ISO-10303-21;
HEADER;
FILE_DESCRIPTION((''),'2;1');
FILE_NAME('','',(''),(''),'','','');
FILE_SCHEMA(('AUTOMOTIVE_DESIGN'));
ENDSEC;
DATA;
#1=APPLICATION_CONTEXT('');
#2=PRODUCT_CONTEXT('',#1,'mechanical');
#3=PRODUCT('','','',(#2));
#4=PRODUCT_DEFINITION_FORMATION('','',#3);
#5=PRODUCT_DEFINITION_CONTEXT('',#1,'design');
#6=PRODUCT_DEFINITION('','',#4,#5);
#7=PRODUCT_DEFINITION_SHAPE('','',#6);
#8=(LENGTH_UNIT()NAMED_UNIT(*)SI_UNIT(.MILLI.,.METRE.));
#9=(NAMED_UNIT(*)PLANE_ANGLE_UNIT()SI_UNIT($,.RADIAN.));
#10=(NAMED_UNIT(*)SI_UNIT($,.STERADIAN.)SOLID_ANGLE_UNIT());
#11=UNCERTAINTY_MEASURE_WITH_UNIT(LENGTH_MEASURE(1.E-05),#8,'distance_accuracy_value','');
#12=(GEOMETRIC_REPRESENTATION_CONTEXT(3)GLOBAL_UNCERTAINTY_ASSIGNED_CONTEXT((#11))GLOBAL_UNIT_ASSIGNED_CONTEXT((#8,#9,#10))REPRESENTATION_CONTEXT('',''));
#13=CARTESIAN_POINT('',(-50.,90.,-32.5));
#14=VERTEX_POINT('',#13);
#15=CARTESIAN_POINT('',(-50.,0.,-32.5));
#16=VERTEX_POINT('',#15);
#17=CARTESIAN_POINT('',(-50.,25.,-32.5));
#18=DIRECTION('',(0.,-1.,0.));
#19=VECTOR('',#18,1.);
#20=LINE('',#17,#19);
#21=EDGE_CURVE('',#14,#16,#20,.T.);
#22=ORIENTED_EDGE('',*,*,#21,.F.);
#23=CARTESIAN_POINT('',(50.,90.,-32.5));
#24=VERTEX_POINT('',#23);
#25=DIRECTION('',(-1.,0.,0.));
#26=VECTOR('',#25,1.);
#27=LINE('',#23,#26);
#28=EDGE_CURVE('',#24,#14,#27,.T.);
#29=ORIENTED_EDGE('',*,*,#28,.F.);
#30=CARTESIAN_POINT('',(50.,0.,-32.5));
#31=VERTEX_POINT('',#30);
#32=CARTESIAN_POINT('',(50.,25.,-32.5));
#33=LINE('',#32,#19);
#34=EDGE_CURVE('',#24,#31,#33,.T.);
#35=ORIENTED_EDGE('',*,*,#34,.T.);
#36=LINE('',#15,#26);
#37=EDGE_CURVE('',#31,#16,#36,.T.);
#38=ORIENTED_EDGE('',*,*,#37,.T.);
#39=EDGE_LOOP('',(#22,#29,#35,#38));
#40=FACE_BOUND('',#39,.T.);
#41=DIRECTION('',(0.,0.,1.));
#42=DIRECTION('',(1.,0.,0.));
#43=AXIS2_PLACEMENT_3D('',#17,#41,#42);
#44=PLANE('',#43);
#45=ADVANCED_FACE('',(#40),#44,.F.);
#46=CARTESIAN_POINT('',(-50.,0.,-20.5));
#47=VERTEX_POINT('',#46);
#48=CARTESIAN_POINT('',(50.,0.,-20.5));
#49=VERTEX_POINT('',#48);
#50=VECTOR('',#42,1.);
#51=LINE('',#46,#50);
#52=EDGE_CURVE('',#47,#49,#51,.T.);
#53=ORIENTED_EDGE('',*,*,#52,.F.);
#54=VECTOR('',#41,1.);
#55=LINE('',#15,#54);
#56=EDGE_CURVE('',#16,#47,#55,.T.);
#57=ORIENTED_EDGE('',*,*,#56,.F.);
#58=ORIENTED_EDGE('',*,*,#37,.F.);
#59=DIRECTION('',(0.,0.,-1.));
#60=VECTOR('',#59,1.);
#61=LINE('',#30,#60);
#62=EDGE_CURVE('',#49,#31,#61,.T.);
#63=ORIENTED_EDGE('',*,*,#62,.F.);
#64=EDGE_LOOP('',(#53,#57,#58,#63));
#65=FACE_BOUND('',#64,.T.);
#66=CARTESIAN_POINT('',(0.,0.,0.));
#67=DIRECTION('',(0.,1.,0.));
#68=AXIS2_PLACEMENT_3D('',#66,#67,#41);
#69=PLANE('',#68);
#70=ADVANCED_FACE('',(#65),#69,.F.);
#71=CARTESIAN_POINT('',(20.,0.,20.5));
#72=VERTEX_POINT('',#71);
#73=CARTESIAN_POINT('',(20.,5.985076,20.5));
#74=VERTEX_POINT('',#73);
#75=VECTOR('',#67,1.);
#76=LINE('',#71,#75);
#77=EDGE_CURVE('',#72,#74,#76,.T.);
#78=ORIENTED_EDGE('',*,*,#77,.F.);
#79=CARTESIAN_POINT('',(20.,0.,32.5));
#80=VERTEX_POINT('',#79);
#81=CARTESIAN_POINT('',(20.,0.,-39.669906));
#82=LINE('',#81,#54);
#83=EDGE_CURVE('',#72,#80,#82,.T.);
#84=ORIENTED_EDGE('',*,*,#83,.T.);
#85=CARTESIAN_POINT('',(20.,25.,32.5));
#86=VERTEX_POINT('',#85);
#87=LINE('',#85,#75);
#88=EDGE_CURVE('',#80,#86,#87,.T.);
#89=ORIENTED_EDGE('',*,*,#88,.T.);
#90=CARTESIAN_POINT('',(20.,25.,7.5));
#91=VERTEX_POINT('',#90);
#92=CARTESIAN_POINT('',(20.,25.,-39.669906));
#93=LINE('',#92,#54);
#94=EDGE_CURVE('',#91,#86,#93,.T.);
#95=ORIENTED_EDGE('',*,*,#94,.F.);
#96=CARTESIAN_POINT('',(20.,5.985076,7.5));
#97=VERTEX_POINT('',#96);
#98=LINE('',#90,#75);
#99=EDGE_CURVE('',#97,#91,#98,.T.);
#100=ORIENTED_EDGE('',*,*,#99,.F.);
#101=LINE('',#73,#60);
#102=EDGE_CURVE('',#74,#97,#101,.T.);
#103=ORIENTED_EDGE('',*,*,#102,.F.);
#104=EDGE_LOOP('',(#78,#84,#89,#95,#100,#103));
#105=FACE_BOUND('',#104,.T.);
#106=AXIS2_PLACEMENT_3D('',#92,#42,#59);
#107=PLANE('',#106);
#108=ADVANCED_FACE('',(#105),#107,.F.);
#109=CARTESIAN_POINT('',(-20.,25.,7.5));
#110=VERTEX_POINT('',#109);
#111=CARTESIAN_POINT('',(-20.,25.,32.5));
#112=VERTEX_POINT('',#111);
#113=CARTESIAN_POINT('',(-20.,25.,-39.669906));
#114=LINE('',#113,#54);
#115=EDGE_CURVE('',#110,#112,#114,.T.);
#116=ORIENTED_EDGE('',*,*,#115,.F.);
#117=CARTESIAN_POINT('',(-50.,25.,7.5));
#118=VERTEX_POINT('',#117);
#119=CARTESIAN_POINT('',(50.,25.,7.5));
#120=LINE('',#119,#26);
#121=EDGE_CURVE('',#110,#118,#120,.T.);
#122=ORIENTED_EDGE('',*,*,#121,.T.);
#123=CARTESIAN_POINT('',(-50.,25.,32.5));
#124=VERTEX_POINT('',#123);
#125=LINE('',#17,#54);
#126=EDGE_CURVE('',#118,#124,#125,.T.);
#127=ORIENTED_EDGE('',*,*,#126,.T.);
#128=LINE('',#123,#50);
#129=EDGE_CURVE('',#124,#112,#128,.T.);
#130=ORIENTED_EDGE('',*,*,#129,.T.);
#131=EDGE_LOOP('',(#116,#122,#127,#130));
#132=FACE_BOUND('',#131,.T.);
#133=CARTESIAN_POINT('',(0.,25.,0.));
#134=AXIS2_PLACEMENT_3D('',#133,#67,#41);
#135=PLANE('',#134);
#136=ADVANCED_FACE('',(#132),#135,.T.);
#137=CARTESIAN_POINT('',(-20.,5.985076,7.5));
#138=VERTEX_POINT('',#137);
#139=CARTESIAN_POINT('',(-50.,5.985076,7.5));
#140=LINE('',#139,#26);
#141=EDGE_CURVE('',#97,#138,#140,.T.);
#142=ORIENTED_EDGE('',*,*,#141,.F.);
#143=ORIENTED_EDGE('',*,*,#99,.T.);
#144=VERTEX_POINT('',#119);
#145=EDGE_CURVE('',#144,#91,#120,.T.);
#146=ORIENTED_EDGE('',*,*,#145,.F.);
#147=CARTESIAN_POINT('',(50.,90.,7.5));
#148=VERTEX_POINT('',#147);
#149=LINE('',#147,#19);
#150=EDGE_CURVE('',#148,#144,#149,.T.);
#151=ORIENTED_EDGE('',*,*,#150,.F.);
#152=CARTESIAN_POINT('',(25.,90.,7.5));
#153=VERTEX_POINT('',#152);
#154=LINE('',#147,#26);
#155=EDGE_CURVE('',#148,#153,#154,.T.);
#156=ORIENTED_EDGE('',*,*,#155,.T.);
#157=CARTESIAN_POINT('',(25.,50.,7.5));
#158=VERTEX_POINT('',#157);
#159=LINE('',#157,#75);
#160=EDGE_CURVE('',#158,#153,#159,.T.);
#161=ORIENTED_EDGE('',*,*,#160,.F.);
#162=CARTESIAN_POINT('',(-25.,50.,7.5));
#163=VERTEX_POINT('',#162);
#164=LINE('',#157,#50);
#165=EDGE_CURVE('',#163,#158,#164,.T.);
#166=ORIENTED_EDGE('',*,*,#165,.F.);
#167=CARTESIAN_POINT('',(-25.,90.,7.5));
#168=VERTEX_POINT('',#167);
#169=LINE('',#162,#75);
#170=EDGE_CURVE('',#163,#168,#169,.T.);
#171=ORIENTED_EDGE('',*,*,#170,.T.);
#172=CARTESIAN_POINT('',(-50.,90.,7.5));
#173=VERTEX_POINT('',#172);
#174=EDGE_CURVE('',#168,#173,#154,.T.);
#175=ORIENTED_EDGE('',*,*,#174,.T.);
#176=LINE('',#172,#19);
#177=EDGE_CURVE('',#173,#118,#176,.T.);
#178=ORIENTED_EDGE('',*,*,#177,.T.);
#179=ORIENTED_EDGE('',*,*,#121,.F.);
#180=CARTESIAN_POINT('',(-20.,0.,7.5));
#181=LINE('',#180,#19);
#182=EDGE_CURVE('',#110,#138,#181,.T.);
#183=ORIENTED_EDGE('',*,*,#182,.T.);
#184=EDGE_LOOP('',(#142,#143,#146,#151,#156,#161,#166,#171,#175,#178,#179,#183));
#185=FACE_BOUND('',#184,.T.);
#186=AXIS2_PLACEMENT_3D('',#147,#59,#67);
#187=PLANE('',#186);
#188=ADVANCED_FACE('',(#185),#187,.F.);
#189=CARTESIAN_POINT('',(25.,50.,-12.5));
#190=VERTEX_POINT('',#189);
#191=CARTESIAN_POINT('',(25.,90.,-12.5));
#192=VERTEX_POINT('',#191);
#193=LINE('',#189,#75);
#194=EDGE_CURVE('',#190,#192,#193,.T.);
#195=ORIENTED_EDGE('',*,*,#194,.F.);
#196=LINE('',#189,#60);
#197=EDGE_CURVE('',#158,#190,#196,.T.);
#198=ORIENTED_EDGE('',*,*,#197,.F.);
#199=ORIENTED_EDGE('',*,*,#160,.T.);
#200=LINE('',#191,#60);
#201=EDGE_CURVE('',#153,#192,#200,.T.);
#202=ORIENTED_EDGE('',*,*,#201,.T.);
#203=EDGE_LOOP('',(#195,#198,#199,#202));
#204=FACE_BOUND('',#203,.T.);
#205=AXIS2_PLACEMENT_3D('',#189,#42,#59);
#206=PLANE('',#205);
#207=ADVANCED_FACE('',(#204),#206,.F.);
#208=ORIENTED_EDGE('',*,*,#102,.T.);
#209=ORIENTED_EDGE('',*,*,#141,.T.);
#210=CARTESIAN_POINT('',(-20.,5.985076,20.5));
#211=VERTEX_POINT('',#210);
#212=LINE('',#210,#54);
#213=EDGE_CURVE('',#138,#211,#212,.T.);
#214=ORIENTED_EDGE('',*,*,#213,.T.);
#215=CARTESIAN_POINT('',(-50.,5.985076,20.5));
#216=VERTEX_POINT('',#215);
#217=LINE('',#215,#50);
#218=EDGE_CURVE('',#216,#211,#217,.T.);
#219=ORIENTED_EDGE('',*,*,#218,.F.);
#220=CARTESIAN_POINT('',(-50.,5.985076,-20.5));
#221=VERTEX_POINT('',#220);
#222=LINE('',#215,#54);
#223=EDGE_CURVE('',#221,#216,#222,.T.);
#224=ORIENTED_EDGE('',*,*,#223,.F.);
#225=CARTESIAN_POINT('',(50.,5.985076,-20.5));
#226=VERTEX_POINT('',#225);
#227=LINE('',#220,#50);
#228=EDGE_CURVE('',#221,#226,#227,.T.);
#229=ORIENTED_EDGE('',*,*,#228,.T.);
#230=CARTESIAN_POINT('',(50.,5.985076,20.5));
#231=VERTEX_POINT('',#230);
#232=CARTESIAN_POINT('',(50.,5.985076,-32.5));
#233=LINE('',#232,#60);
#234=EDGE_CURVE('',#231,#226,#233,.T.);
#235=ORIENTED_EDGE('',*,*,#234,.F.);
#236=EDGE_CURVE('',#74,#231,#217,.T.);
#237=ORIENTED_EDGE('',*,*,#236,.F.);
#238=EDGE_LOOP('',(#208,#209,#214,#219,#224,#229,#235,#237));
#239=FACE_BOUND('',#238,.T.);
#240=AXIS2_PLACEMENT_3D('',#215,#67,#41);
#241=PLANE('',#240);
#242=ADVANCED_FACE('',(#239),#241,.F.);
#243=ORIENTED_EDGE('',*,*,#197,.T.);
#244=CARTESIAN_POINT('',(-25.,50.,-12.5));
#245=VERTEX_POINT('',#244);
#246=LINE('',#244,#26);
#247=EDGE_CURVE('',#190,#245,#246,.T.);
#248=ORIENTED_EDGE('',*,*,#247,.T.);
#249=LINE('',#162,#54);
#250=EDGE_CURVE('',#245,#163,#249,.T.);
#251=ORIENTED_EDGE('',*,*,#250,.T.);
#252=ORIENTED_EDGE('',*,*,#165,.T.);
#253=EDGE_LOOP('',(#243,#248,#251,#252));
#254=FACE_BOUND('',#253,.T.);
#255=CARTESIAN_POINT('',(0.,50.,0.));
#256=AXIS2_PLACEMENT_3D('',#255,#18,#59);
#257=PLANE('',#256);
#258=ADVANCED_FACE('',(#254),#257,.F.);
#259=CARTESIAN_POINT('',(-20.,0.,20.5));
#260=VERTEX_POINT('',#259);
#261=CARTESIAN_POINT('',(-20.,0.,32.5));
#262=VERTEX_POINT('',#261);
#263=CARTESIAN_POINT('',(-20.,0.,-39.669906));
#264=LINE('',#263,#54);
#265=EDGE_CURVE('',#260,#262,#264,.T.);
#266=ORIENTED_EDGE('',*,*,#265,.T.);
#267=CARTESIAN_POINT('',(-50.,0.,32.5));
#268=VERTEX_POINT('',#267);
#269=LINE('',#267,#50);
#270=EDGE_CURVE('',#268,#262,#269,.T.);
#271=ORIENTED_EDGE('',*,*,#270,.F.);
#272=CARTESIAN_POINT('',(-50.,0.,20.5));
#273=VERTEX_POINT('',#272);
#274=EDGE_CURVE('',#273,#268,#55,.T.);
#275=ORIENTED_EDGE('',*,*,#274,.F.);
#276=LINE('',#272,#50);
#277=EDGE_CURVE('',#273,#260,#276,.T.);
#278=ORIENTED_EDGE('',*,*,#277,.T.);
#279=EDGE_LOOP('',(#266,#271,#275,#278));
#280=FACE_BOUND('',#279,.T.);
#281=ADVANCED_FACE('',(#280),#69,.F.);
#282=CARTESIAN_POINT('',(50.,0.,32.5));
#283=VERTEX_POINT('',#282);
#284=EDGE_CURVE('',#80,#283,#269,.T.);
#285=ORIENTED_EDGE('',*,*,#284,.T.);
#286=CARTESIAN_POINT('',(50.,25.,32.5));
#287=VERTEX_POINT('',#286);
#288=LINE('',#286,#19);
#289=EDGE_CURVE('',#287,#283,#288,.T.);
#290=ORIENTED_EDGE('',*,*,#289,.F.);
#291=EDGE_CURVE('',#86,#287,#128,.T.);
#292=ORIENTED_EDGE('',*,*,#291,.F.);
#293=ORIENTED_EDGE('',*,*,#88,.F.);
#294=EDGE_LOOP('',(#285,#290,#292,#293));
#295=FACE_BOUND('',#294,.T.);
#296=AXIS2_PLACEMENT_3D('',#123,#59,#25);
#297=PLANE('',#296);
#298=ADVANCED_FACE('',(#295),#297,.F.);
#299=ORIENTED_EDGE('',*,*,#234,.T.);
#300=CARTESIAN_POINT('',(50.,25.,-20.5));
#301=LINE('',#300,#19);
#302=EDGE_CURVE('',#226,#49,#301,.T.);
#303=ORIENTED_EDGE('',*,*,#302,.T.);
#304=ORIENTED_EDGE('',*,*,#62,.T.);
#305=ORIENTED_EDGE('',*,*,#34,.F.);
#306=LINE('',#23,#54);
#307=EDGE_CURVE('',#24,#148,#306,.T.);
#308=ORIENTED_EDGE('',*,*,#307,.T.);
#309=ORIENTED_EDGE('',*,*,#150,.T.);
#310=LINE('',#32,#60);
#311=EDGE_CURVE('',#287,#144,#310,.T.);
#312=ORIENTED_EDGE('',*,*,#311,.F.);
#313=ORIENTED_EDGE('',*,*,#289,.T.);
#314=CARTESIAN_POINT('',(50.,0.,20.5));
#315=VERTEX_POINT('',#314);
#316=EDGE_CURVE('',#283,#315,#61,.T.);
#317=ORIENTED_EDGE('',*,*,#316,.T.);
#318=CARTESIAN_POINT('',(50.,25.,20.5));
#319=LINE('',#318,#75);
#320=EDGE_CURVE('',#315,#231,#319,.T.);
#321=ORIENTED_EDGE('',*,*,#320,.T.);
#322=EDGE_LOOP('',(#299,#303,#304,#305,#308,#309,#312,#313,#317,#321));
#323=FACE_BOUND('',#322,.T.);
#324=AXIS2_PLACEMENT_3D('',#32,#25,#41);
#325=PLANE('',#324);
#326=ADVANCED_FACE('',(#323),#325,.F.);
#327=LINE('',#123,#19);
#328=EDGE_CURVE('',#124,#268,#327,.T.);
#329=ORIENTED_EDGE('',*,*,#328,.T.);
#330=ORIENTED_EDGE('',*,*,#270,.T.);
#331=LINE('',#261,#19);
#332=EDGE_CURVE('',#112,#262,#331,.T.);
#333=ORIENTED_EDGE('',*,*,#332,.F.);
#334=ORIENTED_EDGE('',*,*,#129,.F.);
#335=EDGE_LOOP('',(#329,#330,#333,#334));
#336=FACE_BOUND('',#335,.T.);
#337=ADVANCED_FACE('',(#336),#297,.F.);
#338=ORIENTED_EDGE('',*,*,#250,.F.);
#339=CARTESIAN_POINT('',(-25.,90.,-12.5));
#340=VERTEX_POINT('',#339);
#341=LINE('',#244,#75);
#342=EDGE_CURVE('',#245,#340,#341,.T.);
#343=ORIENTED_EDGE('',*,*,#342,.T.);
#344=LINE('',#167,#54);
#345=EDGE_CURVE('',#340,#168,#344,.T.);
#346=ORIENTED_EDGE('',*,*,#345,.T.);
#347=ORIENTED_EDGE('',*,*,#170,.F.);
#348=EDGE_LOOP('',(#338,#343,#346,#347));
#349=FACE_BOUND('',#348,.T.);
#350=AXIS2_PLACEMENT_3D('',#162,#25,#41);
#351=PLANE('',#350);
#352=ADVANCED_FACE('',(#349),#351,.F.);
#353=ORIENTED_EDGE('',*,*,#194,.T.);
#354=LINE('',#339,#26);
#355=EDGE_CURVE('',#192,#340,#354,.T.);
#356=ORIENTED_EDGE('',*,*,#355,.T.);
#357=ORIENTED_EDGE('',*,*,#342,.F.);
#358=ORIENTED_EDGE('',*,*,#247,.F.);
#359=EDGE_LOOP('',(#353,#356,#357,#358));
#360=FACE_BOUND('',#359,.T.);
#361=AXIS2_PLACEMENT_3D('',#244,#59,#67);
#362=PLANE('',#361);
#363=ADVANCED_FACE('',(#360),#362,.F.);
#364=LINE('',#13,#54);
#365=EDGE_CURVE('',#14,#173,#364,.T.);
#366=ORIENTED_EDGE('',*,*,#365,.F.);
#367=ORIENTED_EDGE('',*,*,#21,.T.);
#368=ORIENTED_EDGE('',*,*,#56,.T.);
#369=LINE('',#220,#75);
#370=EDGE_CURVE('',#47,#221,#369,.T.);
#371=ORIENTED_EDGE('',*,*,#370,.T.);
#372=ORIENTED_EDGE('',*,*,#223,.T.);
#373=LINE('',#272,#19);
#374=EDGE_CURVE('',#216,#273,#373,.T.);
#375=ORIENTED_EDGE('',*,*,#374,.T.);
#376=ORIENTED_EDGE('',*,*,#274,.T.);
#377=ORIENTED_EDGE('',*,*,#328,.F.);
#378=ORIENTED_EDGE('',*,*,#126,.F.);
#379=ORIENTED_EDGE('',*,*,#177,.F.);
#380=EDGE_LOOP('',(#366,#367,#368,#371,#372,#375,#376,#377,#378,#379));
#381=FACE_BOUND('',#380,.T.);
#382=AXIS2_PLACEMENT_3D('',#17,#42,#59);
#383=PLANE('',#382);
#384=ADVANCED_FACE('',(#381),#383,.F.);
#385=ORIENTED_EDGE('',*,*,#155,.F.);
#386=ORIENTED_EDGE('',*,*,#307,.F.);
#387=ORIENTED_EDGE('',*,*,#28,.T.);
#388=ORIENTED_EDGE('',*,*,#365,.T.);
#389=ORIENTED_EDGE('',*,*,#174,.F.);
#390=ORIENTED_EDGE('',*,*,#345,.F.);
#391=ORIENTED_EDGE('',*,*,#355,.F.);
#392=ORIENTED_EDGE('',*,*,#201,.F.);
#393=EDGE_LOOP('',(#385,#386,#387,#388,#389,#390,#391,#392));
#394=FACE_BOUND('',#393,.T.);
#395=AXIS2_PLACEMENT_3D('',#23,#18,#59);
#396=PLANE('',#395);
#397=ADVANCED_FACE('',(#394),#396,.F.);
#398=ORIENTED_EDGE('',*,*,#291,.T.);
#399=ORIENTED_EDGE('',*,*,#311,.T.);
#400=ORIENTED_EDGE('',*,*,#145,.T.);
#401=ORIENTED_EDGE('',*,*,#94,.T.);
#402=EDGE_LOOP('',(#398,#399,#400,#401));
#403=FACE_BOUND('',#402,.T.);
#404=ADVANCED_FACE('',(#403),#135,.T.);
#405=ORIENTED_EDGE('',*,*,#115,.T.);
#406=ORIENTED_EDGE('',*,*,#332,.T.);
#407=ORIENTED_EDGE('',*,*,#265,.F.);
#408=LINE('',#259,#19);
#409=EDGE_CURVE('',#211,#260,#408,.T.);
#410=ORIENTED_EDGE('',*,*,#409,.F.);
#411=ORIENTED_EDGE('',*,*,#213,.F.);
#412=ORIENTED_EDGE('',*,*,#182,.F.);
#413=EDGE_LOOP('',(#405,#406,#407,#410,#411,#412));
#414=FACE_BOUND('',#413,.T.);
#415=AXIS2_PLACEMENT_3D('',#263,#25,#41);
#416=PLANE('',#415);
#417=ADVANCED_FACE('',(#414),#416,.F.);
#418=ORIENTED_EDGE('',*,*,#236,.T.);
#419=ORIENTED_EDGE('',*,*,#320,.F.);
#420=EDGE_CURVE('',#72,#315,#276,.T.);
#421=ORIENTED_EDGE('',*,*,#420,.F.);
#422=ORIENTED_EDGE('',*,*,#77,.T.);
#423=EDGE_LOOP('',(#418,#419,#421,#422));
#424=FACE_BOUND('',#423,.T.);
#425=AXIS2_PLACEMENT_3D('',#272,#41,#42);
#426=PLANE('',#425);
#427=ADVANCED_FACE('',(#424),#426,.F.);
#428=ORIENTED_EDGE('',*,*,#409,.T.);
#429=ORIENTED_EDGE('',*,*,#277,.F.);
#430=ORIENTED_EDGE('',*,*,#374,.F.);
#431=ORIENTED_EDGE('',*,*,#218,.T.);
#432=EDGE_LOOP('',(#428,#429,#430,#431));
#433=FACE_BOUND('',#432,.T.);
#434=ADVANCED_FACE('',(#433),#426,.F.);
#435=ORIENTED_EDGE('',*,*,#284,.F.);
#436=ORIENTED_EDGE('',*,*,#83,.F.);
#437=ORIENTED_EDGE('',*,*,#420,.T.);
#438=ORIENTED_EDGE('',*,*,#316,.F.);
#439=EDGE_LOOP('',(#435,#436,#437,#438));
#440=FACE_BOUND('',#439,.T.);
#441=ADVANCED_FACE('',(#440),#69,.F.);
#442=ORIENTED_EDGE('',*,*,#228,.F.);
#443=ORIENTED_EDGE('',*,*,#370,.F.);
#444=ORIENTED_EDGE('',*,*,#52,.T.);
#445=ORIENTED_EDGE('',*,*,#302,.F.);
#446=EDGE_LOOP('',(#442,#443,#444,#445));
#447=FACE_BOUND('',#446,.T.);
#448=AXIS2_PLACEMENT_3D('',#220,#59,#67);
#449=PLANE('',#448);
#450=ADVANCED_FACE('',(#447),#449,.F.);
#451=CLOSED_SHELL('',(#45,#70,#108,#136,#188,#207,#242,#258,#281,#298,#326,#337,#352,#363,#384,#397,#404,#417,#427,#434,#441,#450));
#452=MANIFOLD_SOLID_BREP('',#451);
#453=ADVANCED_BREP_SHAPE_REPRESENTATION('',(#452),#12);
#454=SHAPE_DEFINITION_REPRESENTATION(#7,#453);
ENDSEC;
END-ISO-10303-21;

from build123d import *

# Parameters (mm, degrees)
SKETCH2_W               = 100
SKETCH2_H               = 65
BOSS_EXTRUDE1_DEPTH     = 25
SKETCH3_W               = 40
SKETCH3_H               = 65
BOSS_EXTRUDE2_DEPTH     = 50
SKETCH4_W               = 50
SKETCH4_H               = 20
CUT_EXTRUDE1_DEPTH      = 40
CUT_EXTRUDE2_DEPTH      = 139.406105357
CUT_EXTRUDE2_DEPTH_BACK = 139.406105357
SKETCH5_W               = 41
SKETCH5_H               = 5.985076192
CUT_EXTRUDE4_START      = -25
SKETCH6_W               = 40
SKETCH6_H               = 25
CUT_EXTRUDE4_DEPTH      = 25


with BuildPart() as part:
    # Sketch2 → Boss-Extrude1 (new body)
    with BuildSketch(Plane(origin=(0, 0, 0), x_dir=(1, 0, 0), z_dir=(0, 1, 0))):
        Rectangle(SKETCH2_W, SKETCH2_H)
    extrude(amount=BOSS_EXTRUDE1_DEPTH)

    # Sketch3 → Boss-Extrude2 (add, symmetric)
    with BuildSketch(Plane(origin=(0, 0, 0), x_dir=(0, 0, -1), z_dir=(1, 0, 0))):
        with Locations((12.5, 57.5)):
            Rectangle(SKETCH3_W, SKETCH3_H)
    extrude(amount=BOSS_EXTRUDE2_DEPTH, both=True)

    # Sketch4 → Cut-Extrude1 (cut)
    with BuildSketch(Plane(origin=(0, 90, 0), x_dir=(1, 0, 0), z_dir=(0, 1, 0))):
        with Locations((0, 2.5)):
            Rectangle(SKETCH4_W, SKETCH4_H)
    extrude(amount=-CUT_EXTRUDE1_DEPTH, mode=Mode.SUBTRACT)

    # Sketch5 → Cut-Extrude2 (cut, two sides: drawn at the far end of the back side and taken through both)
    with BuildSketch(Plane(origin=(50, 0, 0), x_dir=(0, 0, -1), z_dir=(1, 0, 0)).offset(-CUT_EXTRUDE2_DEPTH_BACK)):
        with Locations((0, 2.992538096)):
            Rectangle(SKETCH5_W, SKETCH5_H)
    extrude(amount=CUT_EXTRUDE2_DEPTH + CUT_EXTRUDE2_DEPTH_BACK, mode=Mode.SUBTRACT)

    # Sketch6 → Cut-Extrude4 (cut)
    with BuildSketch(Plane.XY.offset(32.5).offset(CUT_EXTRUDE4_START)):
        with Locations((0, 12.5)):
            Rectangle(SKETCH6_W, SKETCH6_H)
    extrude(amount=CUT_EXTRUDE4_DEPTH, mode=Mode.SUBTRACT)


solid = part.part
